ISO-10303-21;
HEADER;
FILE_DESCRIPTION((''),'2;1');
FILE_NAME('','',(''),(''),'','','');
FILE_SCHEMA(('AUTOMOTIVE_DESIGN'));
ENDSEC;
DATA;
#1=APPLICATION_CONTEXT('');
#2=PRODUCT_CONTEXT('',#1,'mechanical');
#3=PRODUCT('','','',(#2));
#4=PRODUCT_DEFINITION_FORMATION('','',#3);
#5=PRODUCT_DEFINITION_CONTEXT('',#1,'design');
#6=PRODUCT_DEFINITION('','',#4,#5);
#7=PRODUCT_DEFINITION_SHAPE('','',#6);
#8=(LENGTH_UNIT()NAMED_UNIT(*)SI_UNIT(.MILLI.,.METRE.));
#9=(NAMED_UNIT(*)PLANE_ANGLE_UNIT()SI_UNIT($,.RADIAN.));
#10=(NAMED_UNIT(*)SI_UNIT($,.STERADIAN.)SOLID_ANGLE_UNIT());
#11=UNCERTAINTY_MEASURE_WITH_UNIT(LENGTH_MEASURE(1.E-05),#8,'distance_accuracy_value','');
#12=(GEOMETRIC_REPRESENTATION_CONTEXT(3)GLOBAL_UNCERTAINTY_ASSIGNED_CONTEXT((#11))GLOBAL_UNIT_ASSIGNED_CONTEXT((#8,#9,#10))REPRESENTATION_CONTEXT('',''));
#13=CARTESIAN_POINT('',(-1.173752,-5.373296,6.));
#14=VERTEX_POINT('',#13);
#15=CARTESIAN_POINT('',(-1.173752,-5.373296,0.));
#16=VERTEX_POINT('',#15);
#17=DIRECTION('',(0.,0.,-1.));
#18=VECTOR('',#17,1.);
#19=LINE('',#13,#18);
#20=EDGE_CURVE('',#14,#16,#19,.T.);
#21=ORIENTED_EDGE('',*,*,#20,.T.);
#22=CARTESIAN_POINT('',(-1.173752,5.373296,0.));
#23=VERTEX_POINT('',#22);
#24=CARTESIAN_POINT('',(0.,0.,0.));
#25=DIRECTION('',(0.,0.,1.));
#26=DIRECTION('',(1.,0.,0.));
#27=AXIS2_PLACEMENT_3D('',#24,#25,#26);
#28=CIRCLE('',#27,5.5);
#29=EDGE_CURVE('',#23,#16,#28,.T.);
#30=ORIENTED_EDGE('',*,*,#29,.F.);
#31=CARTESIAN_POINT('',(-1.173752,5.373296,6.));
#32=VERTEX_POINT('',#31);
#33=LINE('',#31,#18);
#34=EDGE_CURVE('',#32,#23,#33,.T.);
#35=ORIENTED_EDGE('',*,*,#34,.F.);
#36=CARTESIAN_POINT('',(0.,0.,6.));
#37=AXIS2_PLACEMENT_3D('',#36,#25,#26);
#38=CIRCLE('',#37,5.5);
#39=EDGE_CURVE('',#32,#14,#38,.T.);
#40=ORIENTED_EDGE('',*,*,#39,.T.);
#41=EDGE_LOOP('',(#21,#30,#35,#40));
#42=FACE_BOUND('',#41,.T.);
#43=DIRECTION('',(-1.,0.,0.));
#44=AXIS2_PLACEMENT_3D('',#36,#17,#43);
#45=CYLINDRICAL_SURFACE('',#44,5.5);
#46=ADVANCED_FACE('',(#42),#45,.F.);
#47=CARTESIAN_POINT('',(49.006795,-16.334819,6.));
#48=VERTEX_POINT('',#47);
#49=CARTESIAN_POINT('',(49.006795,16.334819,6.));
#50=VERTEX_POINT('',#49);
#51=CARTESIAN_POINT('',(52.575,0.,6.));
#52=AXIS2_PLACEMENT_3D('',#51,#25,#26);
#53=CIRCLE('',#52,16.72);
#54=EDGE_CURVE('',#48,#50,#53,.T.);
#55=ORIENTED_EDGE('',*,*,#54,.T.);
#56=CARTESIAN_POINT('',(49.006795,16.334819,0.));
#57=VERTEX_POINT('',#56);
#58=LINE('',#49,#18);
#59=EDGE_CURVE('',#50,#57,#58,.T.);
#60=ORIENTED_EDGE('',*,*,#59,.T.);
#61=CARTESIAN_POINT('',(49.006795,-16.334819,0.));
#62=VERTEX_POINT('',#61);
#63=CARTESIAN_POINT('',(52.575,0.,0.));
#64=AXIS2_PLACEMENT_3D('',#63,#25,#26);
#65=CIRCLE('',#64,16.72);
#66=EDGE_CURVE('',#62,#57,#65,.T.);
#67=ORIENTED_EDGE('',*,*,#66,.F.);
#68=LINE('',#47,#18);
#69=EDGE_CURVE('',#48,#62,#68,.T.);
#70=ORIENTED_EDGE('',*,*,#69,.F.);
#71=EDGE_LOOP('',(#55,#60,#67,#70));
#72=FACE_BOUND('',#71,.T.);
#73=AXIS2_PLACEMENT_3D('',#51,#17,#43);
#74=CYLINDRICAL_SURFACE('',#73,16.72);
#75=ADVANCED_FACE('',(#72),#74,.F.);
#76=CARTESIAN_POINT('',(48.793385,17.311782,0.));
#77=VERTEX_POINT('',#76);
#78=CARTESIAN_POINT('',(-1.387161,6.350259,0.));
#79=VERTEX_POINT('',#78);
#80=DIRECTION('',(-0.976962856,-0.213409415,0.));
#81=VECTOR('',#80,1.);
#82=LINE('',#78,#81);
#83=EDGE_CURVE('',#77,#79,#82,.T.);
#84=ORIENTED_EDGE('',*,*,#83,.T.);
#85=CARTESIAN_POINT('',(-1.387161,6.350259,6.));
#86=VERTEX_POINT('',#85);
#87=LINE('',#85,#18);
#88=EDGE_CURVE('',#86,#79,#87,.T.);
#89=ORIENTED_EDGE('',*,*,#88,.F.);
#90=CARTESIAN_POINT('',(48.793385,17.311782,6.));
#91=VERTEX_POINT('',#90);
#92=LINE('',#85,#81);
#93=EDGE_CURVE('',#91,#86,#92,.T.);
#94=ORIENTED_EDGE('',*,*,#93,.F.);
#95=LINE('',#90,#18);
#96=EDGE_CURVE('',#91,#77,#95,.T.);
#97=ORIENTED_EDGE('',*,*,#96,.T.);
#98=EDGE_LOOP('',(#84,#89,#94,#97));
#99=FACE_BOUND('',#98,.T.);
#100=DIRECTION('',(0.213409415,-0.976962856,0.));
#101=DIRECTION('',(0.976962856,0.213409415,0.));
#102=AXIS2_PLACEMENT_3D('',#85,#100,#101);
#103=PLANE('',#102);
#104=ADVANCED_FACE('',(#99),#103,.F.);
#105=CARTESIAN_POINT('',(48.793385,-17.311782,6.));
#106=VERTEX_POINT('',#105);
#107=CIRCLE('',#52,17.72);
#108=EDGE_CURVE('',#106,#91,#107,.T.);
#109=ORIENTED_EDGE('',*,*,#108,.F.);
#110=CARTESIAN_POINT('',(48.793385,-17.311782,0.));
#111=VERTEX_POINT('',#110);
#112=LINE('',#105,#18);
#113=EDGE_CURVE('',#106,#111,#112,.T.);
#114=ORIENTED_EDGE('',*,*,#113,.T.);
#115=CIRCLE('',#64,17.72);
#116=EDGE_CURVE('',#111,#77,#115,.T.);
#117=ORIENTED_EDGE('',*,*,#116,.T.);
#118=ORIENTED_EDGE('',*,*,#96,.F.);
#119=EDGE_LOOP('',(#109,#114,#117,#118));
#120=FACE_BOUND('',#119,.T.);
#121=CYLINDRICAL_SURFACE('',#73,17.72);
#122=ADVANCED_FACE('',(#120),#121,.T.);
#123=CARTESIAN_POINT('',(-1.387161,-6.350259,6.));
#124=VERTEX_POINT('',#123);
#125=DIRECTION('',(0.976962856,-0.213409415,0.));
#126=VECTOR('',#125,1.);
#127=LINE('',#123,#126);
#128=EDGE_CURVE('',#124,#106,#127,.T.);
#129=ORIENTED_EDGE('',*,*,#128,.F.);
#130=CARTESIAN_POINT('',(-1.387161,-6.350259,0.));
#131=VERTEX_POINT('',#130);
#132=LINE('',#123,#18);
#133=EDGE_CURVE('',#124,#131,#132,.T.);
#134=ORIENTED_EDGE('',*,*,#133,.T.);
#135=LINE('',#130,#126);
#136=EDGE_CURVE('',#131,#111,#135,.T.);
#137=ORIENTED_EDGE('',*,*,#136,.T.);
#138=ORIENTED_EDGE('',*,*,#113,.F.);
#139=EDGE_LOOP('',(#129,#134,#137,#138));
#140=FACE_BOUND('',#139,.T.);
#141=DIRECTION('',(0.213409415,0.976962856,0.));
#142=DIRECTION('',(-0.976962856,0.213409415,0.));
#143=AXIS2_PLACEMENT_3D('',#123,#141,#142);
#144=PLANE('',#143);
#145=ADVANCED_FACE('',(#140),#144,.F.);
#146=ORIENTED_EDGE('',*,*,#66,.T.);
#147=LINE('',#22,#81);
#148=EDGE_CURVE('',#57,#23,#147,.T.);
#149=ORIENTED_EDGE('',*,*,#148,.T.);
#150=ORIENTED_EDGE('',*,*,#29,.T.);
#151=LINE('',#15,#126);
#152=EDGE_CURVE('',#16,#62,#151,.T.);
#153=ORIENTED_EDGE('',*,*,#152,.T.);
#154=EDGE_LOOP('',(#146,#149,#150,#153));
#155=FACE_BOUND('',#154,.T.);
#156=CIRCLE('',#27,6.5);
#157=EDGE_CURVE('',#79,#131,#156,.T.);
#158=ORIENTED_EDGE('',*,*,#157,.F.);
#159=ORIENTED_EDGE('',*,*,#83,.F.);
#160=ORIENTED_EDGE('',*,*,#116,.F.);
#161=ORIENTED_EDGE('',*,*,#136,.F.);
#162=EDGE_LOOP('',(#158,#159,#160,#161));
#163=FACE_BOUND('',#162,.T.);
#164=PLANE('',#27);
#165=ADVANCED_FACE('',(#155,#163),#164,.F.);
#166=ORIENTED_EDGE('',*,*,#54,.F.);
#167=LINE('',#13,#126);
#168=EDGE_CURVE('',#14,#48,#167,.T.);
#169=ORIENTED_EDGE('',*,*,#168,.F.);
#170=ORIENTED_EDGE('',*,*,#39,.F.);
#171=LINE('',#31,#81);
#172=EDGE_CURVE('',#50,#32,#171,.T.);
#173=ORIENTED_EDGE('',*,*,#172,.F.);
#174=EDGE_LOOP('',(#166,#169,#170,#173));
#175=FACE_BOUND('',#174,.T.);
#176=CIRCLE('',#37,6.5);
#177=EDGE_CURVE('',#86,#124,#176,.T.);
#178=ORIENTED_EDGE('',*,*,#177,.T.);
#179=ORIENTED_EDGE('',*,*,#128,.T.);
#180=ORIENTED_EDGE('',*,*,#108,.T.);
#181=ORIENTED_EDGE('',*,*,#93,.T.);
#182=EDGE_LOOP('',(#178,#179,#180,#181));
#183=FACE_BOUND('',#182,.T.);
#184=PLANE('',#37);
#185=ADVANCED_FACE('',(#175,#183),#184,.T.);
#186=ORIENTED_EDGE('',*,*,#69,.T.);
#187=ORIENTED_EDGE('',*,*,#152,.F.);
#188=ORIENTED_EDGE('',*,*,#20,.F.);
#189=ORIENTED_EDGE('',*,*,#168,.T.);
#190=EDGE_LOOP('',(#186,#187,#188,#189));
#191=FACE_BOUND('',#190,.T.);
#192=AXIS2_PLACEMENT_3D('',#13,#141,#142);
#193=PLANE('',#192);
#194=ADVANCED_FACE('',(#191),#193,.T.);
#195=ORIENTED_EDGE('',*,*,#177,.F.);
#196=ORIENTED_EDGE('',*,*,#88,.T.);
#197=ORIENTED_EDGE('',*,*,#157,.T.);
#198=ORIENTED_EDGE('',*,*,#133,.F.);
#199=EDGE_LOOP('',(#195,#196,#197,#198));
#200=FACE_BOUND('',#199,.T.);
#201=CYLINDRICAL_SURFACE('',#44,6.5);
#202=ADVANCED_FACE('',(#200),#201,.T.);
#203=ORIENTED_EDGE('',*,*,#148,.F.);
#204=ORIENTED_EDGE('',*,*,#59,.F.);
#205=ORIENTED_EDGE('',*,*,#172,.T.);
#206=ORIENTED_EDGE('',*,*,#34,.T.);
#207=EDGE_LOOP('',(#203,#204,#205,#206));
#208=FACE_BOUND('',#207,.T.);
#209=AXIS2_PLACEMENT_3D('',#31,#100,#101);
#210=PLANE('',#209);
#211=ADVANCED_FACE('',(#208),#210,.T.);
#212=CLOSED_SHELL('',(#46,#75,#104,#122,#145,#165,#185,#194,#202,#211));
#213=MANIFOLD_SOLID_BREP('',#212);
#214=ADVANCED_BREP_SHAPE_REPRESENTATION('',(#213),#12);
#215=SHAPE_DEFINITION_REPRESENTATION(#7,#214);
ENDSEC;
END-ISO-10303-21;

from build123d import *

# Parameters (mm, degrees)
SALIENTE_EXTRUIR1_DEPTH = 6


with BuildPart() as part:
    # Croquis1 → Saliente-Extruir1 (new body)
    with BuildSketch(Plane.XY):
        with BuildLine():
            Line((-1.387161198, 6.350258562), (48.793385164, 17.311781804))
            ThreePointArc((48.793385164, 17.311781804), (70.295, 0), (48.793385164, -17.311781804))
            Line((48.793385164, -17.311781804), (-1.387161198, -6.350258562))
            ThreePointArc((-1.387161198, -6.350258562), (-6.5, 0), (-1.387161198, 6.350258562))
        make_face()
        with BuildLine():
            Line((-1.173751783, 5.373295707), (49.006794579, 16.334818948))
            ThreePointArc((49.006794579, 16.334818948), (69.295, 0), (49.006794579, -16.334818948))
            Line((49.006794579, -16.334818948), (-1.173751783, -5.373295707))
            ThreePointArc((-1.173751783, -5.373295707), (-5.5, 0), (-1.173751783, 5.373295707))
        make_face(mode=Mode.SUBTRACT)
    extrude(amount=SALIENTE_EXTRUIR1_DEPTH)


solid = part.part
